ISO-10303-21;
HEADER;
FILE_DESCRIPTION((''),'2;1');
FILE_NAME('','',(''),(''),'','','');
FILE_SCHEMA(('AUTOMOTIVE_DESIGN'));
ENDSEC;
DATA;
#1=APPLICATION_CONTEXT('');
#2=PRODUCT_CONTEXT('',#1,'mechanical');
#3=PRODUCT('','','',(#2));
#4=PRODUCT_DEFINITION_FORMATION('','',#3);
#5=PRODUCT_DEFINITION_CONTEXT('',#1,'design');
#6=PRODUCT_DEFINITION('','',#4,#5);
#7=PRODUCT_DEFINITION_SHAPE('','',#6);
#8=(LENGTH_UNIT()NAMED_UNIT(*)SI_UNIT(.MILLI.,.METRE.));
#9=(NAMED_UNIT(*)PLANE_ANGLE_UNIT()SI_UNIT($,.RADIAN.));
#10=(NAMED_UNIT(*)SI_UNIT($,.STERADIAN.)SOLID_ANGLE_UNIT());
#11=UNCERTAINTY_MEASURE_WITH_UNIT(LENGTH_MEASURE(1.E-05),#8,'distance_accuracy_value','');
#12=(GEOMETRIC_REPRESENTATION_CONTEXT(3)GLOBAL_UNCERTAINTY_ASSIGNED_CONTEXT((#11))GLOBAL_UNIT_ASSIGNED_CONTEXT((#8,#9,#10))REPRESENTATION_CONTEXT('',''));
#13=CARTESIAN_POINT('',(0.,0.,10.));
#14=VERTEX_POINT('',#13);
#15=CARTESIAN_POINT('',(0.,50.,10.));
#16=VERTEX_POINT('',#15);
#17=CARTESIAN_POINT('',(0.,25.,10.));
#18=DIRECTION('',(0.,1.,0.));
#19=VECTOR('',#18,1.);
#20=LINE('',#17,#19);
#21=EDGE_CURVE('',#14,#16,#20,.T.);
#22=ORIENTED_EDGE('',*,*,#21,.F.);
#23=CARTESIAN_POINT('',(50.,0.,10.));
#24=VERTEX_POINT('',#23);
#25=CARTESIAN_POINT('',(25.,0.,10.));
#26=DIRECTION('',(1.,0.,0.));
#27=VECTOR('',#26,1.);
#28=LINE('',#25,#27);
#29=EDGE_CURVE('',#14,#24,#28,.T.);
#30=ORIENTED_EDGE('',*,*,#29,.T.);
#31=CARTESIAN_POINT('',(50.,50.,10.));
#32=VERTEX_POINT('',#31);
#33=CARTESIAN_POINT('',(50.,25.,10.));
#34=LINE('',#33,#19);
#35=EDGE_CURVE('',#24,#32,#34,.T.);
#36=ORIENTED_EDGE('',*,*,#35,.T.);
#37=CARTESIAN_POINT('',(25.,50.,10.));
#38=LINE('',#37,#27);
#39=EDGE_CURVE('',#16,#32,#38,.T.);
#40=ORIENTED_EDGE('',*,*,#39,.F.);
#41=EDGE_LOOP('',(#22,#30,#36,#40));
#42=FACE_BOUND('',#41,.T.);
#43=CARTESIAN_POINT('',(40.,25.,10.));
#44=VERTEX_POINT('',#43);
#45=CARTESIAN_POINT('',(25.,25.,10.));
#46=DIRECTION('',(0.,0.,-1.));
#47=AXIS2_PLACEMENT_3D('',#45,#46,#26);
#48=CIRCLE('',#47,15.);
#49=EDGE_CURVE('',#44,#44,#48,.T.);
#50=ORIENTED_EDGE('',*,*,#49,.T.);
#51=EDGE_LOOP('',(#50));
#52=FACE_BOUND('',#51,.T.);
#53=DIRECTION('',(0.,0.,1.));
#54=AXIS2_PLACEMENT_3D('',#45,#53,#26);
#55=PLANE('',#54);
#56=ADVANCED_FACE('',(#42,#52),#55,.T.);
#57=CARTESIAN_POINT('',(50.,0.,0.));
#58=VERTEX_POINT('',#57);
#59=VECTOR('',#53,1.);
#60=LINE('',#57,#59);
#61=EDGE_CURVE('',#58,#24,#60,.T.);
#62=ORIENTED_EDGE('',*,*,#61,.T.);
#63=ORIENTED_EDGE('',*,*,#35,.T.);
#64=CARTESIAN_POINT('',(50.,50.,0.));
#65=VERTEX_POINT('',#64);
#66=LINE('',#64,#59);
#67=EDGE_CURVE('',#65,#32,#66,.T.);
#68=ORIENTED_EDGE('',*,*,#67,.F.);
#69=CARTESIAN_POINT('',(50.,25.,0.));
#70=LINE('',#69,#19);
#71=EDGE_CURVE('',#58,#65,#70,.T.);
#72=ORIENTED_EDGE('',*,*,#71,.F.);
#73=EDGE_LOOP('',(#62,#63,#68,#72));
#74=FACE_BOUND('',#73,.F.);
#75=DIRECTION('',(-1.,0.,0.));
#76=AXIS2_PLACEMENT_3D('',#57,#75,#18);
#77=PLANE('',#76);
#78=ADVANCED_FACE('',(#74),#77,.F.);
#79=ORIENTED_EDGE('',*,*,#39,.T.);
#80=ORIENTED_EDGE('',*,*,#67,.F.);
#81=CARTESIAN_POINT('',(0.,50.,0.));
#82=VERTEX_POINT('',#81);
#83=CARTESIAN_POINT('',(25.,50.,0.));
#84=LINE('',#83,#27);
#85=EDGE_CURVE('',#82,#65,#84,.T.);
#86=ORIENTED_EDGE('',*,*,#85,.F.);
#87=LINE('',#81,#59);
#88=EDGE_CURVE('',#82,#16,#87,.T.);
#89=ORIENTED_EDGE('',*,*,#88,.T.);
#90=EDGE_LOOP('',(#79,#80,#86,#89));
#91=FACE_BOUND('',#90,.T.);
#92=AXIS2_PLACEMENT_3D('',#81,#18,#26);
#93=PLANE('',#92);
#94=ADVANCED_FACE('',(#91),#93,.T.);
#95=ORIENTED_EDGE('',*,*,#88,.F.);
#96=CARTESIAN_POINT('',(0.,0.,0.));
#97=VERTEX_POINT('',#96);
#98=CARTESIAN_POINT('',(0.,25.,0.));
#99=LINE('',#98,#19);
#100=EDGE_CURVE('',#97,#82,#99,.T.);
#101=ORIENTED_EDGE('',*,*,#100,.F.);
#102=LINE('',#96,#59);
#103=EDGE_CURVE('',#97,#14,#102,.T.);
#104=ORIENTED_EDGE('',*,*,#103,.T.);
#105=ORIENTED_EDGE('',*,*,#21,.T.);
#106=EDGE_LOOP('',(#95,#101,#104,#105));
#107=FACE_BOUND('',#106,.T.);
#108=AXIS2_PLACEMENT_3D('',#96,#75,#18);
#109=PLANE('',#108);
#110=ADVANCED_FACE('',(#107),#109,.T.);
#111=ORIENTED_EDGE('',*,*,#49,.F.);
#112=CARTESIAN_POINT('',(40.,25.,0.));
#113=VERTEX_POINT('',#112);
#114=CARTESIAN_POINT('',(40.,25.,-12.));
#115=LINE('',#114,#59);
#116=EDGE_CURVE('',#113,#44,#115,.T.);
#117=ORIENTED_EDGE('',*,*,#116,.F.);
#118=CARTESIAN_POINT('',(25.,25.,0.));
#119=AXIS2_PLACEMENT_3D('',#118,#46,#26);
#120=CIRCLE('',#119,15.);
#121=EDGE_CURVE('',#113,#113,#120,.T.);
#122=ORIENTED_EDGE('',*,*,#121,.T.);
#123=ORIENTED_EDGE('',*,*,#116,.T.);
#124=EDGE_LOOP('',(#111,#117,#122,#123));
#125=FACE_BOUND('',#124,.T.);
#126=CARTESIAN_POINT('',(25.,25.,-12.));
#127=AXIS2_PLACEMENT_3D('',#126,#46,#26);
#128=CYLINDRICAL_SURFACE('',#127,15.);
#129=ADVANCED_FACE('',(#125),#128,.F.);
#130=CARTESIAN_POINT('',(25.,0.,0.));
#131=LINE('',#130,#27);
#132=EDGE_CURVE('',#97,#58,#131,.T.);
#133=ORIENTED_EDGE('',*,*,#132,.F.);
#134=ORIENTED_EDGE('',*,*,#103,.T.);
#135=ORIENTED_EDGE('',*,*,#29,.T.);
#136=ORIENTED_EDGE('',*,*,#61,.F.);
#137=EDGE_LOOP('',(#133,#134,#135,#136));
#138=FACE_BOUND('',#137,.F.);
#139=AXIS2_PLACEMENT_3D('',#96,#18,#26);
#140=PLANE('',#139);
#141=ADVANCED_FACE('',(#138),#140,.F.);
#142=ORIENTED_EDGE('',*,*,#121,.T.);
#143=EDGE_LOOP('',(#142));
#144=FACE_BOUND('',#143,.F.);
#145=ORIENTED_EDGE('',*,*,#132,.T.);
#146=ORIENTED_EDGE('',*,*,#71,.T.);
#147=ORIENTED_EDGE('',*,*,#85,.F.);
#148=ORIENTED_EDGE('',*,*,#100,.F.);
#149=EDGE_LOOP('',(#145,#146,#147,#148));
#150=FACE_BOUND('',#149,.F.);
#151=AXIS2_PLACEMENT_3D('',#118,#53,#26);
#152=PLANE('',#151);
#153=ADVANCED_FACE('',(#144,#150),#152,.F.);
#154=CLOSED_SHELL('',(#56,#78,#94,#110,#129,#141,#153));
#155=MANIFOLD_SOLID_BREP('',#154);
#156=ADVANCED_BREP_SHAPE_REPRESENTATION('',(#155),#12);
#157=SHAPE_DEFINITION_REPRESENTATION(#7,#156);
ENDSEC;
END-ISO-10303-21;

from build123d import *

# Parameters (mm, degrees)
CYLINDER_R     = 15
CYLINDER_DEPTH = 40
BOX_W          = 50
BOX_H          = 50
BOX_DEPTH      = 10


with BuildPart() as cylinder:
    # Cylinder → Cylinder (new body)
    with BuildSketch(Plane(origin=(25, 25, -12), x_dir=(1, 0, 0), z_dir=(0, 0, 1))):
        Circle(CYLINDER_R)
    extrude(amount=CYLINDER_DEPTH)


with BuildPart() as cut:
    # Box → Box (new body)
    with BuildSketch(Plane.XY):
        with Locations((25, 25)):
            Rectangle(BOX_W, BOX_H)
    extrude(amount=BOX_DEPTH)

    # Cut: cut Cylinder
    add(cylinder.part, mode=Mode.SUBTRACT)


solid = cut.part
